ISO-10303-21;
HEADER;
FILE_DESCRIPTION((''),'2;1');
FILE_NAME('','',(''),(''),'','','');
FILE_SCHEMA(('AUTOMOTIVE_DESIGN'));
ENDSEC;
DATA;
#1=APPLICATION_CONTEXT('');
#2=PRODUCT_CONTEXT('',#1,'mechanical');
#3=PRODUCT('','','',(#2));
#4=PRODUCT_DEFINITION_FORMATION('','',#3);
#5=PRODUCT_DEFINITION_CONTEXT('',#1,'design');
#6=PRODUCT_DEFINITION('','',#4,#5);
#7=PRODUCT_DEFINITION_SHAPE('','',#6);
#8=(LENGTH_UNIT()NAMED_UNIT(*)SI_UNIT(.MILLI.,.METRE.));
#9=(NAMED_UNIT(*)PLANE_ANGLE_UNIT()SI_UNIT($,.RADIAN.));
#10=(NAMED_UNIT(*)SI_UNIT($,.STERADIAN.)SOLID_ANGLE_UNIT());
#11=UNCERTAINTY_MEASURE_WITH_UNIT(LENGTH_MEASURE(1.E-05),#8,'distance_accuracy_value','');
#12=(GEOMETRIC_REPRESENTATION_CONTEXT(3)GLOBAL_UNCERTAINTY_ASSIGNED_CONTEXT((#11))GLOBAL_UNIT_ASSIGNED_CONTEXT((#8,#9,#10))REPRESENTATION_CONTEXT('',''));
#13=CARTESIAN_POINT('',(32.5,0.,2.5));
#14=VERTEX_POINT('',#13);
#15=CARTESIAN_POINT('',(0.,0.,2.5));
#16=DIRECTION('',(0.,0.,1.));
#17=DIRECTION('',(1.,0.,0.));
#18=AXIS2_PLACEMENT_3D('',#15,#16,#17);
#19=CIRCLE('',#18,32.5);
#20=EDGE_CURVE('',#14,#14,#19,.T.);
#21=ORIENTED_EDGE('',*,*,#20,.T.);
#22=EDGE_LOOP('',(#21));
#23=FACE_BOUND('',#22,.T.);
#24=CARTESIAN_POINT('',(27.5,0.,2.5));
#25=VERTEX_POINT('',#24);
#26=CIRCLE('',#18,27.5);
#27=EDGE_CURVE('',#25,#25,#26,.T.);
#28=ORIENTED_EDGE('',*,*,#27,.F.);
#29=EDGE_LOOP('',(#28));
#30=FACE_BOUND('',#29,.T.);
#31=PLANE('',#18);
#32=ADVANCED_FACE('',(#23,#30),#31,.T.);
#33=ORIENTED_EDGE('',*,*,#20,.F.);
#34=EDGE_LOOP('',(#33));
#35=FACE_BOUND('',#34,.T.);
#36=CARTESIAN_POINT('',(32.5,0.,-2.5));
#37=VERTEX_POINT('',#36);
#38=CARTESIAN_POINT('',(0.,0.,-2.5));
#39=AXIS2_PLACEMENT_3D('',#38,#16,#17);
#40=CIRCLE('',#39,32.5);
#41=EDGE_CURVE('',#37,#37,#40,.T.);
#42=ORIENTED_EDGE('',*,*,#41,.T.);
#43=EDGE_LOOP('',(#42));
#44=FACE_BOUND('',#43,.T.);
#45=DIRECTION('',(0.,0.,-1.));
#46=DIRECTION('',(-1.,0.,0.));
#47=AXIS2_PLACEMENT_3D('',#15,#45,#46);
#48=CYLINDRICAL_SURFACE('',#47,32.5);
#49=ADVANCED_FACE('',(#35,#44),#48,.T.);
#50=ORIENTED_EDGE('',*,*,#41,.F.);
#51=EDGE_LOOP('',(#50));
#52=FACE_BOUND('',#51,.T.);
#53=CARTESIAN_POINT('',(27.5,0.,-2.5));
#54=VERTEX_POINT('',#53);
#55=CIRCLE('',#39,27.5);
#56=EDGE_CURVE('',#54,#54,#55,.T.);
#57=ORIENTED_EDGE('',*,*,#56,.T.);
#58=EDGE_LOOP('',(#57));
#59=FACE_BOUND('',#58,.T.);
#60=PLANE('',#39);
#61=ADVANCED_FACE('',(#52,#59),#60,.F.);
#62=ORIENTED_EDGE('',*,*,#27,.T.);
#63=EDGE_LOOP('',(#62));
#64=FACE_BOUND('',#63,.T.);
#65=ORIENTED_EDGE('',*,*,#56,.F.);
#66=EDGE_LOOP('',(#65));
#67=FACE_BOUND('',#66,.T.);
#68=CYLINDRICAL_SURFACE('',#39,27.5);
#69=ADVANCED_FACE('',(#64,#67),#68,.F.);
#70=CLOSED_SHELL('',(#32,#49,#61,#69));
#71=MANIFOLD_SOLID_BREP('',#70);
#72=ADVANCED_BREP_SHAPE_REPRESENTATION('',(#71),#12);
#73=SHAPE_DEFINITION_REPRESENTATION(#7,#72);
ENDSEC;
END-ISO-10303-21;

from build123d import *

# Parameters (mm, degrees)
SKETCH2_R           = 32.5
BOSS_EXTRUDE1_DEPTH = 2.5
SKETCH3_R           = 27.5
CUT_EXTRUDE1_DEPTH  = 5


with BuildPart() as part:
    # Sketch2 → Boss-Extrude1 (new, symmetric)
    with BuildSketch(Plane.XY):
        Circle(SKETCH2_R)
    extrude(amount=BOSS_EXTRUDE1_DEPTH, both=True)

    # Sketch3 → Cut-Extrude1 (cut)
    with BuildSketch(Plane.XY.offset(2.5)):
        Circle(SKETCH3_R)
    extrude(amount=-CUT_EXTRUDE1_DEPTH, mode=Mode.SUBTRACT)


solid = part.part
